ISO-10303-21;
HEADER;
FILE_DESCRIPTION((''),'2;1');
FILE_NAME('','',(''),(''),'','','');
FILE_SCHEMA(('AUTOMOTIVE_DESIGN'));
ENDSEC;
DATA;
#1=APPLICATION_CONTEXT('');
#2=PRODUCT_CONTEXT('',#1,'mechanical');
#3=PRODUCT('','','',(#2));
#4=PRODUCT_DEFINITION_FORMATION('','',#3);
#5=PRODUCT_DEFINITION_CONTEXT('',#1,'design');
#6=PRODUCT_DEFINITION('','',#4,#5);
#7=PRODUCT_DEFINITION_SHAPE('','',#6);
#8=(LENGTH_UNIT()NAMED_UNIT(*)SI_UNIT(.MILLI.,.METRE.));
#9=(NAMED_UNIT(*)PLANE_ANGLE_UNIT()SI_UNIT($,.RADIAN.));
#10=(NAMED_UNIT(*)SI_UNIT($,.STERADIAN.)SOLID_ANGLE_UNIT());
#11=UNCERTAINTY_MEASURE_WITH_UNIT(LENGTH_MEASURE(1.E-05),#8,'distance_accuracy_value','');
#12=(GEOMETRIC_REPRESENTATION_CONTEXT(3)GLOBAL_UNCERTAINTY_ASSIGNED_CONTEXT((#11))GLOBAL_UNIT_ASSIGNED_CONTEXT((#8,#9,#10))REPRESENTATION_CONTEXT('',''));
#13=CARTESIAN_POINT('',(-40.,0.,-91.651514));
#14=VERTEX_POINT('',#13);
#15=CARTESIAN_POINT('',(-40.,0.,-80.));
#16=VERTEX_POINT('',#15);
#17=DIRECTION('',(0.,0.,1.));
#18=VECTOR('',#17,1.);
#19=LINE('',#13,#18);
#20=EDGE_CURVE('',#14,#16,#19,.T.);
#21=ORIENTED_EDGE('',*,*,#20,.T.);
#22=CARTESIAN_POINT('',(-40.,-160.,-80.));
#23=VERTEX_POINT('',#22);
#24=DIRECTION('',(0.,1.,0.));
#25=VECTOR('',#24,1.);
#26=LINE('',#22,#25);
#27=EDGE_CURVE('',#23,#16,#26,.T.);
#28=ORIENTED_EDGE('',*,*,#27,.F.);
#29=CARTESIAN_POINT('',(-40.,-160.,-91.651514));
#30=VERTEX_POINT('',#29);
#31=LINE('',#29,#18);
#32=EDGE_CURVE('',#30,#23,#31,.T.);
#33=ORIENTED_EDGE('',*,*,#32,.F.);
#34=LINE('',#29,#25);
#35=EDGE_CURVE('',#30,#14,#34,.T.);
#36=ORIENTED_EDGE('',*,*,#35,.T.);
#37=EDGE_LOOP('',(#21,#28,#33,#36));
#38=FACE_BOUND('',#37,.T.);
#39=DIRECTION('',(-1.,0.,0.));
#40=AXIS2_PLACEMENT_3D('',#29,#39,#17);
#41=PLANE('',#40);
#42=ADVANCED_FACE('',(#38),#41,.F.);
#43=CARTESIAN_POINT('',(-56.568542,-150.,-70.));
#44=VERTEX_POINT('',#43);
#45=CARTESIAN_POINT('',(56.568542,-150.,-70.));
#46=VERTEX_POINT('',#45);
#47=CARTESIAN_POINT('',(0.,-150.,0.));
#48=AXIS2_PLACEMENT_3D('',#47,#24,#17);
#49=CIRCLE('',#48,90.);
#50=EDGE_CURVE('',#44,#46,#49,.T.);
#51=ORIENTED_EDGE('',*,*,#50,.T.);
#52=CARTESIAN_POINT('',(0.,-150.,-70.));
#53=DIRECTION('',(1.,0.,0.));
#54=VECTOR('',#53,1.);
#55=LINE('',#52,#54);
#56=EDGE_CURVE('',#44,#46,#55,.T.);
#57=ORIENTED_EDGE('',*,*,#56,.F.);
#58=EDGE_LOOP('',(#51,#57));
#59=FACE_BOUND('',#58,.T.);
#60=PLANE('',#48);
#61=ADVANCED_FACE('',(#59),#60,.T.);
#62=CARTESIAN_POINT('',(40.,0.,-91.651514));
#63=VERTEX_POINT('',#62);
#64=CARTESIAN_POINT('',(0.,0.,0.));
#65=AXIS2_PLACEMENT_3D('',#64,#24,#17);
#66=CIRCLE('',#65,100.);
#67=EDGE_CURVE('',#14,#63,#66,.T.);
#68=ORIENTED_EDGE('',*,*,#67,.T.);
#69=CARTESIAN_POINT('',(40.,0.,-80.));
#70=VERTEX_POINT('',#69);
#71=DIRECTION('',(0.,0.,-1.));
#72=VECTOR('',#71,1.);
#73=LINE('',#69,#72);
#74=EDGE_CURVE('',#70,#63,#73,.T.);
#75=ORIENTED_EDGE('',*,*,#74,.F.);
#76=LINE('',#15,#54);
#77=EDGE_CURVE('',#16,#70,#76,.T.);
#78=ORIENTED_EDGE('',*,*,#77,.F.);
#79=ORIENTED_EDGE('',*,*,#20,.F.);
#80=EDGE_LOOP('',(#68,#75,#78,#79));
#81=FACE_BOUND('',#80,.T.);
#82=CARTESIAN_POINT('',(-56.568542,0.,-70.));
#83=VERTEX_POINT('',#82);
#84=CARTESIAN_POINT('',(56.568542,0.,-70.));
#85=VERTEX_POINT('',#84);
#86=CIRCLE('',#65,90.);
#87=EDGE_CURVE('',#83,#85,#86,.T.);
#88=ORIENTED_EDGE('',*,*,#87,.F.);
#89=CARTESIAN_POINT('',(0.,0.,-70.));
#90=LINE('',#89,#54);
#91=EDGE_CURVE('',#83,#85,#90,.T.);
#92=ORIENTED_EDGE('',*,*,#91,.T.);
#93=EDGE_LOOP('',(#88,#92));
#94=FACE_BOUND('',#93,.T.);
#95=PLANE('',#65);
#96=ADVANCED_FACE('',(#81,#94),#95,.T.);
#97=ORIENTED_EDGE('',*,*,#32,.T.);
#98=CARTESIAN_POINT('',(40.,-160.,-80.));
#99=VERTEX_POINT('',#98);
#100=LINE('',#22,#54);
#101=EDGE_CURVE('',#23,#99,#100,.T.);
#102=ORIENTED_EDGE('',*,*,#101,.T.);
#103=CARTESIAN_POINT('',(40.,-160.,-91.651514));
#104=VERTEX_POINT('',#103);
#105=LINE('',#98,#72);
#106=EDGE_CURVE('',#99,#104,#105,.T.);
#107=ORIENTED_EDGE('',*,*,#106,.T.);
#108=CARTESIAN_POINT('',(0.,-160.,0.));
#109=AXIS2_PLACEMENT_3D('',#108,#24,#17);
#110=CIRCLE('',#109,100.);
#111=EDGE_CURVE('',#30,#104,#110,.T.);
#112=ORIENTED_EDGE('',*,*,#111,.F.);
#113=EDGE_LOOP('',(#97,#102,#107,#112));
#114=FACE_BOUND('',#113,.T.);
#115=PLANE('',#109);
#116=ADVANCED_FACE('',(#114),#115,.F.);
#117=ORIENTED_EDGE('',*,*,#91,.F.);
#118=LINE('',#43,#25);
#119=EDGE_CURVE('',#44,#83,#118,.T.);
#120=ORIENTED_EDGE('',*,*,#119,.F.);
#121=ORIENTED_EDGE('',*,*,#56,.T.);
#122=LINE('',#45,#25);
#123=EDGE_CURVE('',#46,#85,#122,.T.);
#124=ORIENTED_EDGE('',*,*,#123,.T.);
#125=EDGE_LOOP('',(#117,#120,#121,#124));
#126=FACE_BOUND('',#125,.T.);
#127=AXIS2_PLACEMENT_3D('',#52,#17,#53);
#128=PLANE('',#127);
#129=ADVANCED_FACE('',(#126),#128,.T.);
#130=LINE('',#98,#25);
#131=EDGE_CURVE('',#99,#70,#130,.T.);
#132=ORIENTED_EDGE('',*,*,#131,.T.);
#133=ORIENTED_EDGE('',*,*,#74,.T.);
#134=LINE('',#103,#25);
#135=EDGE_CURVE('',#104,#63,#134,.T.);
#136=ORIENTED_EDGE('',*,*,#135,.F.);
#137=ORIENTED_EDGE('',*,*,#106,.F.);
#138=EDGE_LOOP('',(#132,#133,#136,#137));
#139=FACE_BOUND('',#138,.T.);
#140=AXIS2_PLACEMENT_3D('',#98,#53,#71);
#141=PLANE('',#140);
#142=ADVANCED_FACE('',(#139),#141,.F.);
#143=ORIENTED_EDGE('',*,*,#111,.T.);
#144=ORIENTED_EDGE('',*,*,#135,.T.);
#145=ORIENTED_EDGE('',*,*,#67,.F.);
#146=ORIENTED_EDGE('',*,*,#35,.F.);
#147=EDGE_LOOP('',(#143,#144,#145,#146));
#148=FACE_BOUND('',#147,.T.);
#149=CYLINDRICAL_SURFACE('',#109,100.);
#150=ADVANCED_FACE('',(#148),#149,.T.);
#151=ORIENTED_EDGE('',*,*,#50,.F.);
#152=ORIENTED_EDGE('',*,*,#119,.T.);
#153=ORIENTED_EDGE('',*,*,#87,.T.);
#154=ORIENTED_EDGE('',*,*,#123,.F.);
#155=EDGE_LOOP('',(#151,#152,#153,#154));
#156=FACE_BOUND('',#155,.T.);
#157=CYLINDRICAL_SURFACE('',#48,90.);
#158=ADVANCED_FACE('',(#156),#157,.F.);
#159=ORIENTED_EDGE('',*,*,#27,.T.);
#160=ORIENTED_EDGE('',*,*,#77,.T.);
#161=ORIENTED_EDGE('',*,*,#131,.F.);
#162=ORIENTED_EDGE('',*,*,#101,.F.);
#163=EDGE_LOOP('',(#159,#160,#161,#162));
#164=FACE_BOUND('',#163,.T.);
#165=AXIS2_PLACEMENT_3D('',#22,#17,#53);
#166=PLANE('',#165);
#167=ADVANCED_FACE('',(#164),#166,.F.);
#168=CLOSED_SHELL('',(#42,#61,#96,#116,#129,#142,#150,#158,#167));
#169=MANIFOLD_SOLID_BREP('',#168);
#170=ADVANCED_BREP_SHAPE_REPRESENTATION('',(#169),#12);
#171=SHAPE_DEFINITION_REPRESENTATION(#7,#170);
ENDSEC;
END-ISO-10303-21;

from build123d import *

# Parameters (mm, degrees)
BOSS_EXTRUDE1_DEPTH = 160
CUT_EXTRUDE1_DEPTH  = 150


with BuildPart() as part:
    # Sketch1 → Boss-Extrude1 (new body)
    with BuildSketch(Plane(origin=(0, 0, 0), x_dir=(1, 0, 0), z_dir=(0, 1, 0))):
        with BuildLine():
            Line((-40, 91.651513899), (-40, 80))
            Line((-40, 80), (40, 80))
            Line((40, 80), (40, 91.651513899))
            ThreePointArc((40, 91.651513899), (0, -100), (-40, 91.651513899))
        make_face()
    extrude(amount=-BOSS_EXTRUDE1_DEPTH)

    # Sketch2 → Cut-Extrude1 (cut)
    with BuildSketch(Plane(origin=(0, 0, 0), x_dir=(1, 0, 0), z_dir=(0, 1, 0))):
        with BuildLine():
            Line((50, 70), (-50, 70))
            Line((-50, 70), (-56.568542495, 70))
            ThreePointArc((-56.568542495, 70), (0, -90), (56.568542495, 70))
            Line((56.568542495, 70), (50, 70))
        make_face()
    extrude(amount=-CUT_EXTRUDE1_DEPTH, mode=Mode.SUBTRACT)


solid = part.part
